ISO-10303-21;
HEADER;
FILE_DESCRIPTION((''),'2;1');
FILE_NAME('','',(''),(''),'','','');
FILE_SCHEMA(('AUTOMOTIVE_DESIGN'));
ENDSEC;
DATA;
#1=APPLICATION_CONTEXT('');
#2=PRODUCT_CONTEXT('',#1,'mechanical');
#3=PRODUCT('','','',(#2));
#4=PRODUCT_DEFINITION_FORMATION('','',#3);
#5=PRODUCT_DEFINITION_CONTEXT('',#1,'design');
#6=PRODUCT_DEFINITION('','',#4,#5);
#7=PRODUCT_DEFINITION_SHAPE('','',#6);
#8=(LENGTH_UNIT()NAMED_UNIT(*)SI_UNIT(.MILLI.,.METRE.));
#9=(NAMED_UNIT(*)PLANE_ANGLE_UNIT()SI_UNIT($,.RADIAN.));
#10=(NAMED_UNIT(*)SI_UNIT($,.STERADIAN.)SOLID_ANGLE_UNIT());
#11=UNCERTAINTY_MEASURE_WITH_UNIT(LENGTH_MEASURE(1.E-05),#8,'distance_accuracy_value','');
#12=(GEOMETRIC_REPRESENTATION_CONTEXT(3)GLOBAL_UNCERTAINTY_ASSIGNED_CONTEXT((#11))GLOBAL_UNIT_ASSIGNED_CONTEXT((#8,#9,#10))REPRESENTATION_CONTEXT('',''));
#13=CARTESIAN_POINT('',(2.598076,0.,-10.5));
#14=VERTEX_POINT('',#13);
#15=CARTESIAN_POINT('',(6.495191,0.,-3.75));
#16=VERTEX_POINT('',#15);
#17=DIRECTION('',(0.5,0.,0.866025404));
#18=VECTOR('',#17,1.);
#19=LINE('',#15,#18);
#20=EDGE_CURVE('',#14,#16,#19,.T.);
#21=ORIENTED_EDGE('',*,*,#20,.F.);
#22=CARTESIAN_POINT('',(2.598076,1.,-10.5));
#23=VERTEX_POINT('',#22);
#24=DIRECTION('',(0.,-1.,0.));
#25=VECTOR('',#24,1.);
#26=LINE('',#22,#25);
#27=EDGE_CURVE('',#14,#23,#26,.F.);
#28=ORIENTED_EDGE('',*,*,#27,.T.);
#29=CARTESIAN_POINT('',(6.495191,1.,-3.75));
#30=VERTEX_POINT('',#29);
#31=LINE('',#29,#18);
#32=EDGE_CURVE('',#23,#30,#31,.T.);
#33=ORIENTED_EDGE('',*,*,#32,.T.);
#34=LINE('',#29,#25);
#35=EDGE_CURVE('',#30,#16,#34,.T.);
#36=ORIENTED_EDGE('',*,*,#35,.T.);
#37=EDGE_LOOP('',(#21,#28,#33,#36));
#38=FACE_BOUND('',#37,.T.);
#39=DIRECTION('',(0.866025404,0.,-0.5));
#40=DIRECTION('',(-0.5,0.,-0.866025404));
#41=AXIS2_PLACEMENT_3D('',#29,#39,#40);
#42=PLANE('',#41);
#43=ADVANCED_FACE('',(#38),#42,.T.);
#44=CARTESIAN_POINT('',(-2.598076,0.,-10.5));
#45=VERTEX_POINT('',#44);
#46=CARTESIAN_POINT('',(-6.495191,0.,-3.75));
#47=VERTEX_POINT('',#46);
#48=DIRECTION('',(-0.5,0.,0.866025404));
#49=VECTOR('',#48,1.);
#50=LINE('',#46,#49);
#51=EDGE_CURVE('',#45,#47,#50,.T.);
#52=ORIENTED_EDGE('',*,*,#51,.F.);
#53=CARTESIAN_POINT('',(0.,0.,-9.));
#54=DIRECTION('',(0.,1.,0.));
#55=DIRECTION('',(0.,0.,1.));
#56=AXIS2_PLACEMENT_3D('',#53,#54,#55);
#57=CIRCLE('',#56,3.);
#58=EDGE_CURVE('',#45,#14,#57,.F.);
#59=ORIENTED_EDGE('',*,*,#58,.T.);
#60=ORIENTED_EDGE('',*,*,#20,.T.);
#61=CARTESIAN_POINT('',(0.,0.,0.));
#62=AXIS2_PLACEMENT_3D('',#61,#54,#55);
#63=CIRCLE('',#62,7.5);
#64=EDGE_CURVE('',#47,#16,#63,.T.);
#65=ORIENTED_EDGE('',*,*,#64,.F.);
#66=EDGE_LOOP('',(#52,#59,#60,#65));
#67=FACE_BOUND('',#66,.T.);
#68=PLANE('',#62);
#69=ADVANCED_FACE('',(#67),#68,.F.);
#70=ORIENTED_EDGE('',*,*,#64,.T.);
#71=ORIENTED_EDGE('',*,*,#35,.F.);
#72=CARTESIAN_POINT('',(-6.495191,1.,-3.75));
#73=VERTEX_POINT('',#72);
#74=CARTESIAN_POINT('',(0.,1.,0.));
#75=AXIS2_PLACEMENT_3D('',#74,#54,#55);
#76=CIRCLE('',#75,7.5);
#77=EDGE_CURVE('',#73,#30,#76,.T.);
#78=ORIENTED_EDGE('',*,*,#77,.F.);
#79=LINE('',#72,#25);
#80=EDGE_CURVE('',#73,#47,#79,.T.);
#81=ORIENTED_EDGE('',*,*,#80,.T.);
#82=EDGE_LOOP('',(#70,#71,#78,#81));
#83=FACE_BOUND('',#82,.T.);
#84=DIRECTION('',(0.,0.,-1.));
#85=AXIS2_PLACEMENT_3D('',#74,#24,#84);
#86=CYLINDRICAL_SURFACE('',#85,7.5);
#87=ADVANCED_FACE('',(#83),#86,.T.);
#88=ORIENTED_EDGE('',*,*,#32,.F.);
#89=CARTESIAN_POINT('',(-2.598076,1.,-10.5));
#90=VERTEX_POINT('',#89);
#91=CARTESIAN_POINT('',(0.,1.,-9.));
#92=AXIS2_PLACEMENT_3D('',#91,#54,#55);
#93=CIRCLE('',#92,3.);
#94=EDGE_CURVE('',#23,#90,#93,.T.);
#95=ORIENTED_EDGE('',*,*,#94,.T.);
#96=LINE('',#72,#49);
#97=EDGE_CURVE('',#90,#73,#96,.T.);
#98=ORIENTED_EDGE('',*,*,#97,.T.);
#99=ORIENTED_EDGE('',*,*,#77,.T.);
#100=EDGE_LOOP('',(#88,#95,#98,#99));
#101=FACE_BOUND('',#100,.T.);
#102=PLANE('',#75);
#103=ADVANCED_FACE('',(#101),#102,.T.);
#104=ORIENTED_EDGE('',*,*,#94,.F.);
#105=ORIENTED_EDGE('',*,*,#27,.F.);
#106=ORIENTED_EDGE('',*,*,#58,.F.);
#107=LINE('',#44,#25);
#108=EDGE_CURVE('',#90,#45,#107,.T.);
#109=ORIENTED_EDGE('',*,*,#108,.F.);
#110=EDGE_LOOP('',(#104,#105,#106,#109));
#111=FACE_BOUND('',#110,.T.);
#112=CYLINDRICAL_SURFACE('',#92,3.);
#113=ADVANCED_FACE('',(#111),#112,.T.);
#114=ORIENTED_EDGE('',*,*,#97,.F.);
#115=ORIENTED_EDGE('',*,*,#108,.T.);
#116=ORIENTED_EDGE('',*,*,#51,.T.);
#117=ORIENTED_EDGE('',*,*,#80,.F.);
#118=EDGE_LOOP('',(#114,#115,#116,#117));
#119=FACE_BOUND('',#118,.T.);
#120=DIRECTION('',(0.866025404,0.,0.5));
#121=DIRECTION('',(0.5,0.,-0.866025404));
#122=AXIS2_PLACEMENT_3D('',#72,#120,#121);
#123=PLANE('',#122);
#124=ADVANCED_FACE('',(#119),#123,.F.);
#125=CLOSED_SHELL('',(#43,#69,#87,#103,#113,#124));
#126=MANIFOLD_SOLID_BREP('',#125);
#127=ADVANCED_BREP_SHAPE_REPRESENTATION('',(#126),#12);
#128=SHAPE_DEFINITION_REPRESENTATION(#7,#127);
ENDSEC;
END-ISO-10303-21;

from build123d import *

# Parameters (mm, degrees)
BOSS_EXTRUDE1_DEPTH = 1
FILLET1_R           = 3


with BuildPart() as part:
    # Sketch1 → Boss-Extrude1 (new body)
    with BuildSketch(Plane(origin=(0, 0, 0), x_dir=(1, 0, 0), z_dir=(0, 1, 0))):
        with BuildLine():
            Line((6.495190528, 3.75), (0, 15))
            Line((0, 15), (-6.495190528, 3.75))
            ThreePointArc((-6.495190528, 3.75), (0, -7.5), (6.495190528, 3.75))
        make_face()
    extrude(amount=BOSS_EXTRUDE1_DEPTH)

    # Fillet1
    fillet1_edges = [part.edges().sort_by_distance(p)[0] for p in [
        (0, 0.5, -15),
    ]]
    fillet(fillet1_edges, radius=FILLET1_R)


solid = part.part
